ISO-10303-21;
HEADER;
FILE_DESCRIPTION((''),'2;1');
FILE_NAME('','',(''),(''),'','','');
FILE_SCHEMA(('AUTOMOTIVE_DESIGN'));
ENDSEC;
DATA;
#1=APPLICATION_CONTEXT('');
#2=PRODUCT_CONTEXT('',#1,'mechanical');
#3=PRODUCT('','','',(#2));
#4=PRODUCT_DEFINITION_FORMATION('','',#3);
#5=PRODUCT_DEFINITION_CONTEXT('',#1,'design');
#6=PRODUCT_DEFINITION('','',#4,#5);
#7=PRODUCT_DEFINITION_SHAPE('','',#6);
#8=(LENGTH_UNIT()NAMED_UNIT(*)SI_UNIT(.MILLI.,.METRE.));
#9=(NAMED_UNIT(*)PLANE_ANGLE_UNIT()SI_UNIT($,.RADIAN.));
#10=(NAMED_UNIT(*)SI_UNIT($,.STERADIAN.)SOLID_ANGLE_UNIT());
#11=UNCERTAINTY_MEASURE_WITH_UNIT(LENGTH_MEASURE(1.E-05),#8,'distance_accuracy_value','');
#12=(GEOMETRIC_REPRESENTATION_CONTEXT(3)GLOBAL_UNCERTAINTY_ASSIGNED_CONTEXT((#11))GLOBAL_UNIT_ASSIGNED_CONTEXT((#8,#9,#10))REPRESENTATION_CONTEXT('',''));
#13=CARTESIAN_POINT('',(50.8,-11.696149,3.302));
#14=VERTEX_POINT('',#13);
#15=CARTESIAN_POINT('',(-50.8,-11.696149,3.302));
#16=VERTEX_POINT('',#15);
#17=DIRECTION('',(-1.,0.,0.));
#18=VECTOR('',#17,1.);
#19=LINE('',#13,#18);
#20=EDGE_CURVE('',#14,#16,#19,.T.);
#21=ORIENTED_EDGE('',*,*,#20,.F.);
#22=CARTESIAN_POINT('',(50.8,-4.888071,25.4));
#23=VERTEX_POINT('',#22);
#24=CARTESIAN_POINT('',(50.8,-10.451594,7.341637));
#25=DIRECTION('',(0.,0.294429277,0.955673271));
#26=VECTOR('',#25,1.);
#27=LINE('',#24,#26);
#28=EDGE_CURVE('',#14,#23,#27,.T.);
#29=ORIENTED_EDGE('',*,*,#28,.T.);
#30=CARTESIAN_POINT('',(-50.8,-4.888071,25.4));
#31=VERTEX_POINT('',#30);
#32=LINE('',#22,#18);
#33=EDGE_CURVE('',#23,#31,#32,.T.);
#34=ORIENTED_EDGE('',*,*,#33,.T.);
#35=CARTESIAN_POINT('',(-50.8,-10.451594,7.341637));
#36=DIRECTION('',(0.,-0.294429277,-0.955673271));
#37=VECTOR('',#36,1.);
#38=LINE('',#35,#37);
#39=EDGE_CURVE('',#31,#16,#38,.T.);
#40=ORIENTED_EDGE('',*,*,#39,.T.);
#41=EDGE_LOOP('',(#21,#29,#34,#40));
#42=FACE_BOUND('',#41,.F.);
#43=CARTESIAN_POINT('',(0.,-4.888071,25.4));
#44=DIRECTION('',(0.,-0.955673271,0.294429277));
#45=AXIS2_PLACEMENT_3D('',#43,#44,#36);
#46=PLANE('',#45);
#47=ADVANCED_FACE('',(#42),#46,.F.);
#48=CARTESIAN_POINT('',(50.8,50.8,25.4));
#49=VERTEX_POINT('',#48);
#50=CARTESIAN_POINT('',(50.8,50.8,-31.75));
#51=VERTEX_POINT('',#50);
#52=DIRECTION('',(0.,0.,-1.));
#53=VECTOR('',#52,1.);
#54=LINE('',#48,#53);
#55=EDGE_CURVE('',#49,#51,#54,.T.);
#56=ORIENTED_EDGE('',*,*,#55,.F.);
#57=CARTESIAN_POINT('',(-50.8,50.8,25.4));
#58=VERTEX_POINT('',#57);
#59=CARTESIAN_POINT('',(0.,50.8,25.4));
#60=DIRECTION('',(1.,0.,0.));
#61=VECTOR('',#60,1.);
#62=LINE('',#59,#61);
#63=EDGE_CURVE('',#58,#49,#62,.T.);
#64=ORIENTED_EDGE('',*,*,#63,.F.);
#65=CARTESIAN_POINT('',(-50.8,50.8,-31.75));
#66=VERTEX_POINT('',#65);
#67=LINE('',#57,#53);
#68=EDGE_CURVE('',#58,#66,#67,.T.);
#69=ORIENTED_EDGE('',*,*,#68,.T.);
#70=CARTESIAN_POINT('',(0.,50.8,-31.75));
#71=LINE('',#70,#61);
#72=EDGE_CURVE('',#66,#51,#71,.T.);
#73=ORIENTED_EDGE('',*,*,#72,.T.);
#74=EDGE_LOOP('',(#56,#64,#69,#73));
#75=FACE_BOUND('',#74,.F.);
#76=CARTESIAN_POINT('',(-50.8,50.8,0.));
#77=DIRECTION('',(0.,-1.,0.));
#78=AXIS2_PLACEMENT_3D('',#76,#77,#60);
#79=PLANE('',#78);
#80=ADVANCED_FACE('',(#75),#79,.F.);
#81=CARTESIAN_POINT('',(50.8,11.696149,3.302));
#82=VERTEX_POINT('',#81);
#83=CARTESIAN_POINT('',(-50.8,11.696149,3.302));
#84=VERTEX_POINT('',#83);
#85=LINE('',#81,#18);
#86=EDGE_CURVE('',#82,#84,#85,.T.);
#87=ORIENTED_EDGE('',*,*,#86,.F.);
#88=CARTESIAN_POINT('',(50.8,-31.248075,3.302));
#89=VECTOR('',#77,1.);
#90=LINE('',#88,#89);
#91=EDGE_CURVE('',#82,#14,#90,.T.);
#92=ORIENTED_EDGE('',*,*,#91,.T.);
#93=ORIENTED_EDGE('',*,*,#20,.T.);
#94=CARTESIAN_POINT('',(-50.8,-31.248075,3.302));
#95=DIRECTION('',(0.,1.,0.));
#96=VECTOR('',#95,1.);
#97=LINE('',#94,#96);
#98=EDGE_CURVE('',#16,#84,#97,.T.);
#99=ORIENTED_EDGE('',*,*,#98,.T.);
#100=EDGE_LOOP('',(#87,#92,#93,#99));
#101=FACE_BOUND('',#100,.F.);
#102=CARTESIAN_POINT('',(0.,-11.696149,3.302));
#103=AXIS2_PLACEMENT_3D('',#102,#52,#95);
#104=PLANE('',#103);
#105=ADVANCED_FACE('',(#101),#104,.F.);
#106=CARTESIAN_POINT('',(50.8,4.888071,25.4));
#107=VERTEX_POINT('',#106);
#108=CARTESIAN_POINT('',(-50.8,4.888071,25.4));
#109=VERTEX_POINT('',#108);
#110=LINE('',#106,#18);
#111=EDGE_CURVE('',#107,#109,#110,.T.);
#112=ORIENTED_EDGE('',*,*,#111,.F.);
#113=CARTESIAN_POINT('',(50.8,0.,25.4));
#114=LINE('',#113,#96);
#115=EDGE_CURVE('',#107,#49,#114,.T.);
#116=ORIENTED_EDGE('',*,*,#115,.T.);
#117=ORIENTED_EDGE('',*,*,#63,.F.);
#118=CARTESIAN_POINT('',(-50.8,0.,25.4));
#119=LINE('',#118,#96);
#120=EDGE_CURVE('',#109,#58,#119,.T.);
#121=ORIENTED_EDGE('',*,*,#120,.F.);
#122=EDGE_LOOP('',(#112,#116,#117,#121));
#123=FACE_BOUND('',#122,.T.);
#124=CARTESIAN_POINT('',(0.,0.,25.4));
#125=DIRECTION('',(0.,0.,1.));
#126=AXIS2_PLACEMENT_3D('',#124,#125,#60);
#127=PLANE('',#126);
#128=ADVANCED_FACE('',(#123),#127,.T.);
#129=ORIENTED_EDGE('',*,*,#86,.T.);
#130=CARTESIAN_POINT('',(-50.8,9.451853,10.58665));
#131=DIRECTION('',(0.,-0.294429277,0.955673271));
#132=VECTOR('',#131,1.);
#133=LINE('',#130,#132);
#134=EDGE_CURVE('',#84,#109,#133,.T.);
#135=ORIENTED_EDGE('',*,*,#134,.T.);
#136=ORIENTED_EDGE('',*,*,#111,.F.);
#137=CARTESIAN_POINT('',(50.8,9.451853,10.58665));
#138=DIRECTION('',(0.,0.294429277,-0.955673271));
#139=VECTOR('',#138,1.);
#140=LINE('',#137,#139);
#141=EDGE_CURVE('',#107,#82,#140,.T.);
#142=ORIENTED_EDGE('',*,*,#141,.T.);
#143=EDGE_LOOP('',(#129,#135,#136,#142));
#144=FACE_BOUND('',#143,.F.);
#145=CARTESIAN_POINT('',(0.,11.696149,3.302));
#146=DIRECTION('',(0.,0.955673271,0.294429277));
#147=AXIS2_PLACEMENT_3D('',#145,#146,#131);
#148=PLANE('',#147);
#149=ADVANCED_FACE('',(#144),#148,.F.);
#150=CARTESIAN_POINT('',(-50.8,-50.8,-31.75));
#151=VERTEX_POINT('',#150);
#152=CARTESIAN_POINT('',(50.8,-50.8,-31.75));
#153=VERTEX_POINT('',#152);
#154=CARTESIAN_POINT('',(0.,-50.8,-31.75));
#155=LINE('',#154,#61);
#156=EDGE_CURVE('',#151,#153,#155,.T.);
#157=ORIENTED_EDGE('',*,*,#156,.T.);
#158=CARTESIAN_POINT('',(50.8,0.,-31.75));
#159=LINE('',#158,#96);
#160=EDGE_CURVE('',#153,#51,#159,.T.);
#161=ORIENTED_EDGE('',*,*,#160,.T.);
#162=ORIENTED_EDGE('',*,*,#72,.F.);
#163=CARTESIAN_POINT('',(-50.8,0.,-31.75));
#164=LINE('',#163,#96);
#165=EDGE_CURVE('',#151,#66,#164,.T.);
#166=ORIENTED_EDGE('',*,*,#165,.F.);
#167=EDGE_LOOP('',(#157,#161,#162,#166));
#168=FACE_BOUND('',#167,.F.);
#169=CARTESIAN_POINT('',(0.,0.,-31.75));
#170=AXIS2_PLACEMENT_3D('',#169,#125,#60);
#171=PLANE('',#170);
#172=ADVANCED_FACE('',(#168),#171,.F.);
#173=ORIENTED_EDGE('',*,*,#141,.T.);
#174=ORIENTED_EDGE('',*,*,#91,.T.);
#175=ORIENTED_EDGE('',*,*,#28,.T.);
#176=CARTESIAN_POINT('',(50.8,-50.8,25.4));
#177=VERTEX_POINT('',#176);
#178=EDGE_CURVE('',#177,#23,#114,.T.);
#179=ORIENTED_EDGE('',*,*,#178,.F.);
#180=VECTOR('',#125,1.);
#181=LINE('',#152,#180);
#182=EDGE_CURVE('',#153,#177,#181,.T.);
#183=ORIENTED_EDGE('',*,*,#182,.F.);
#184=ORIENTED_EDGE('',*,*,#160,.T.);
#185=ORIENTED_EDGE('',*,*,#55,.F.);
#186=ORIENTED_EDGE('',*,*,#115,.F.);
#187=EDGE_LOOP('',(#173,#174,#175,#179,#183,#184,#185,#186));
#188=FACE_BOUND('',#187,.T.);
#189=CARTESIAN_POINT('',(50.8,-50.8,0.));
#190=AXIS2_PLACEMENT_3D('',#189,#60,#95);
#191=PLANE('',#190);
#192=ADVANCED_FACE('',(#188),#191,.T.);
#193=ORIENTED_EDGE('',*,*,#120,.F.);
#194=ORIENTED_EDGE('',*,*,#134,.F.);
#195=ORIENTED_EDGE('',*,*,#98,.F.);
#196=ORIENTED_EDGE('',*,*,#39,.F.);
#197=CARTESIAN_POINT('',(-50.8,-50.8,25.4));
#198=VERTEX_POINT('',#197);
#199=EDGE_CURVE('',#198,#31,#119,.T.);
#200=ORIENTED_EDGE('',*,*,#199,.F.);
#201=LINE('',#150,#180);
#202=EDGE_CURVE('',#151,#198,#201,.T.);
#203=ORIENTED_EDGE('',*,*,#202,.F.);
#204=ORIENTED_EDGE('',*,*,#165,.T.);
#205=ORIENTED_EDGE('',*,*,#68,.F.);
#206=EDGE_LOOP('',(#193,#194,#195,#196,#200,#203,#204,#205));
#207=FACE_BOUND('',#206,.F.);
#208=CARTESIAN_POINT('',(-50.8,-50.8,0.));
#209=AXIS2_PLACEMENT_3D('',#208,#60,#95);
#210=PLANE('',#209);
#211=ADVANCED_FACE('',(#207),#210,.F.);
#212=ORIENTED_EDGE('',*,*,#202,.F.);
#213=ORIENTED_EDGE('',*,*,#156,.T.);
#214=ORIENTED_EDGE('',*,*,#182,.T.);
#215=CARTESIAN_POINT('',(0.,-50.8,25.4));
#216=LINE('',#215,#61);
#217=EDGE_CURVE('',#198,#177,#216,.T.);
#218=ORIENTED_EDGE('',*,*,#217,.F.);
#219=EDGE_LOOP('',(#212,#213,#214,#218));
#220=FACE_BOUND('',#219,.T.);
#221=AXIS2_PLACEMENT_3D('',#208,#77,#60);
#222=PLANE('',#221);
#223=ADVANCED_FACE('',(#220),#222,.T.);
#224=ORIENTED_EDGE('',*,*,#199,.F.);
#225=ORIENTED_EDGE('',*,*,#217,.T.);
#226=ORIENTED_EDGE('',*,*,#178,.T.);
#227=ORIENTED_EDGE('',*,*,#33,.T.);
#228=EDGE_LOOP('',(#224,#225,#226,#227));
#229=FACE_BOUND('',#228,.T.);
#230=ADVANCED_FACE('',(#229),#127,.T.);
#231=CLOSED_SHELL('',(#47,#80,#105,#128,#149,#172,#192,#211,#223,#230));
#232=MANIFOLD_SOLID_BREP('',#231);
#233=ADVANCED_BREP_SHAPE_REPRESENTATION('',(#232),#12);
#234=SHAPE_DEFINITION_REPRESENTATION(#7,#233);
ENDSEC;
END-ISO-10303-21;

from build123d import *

# Parameters (mm, degrees)
F0_W          = 101.6
F0_H          = 101.6
F1_DEPTH      = 25.4
F1_DEPTH_BACK = 31.75
F3_DEPTH      = 50.801
F3_DEPTH_BACK = 50.801


with BuildPart() as f1:
    # F0 (on Top) → F1 (new body, two sides)
    with BuildSketch(Plane.XY) as f1_sk:
        Rectangle(F0_W, F0_H)
    extrude(amount=F1_DEPTH)
    extrude(f1_sk.sketch, amount=-F1_DEPTH_BACK)

    # F2 (on Right) → F3 (cut, two sides)
    with BuildSketch(Plane.YZ) as f3_sk:
        Polygon((-4.888071, 25.4), (-11.696149, 3.302), (11.696149, 3.302), (4.888071, 25.4), align=None)
    extrude(amount=F3_DEPTH, mode=Mode.SUBTRACT)
    extrude(f3_sk.sketch, amount=-F3_DEPTH_BACK, mode=Mode.SUBTRACT)


solid = f1.part
